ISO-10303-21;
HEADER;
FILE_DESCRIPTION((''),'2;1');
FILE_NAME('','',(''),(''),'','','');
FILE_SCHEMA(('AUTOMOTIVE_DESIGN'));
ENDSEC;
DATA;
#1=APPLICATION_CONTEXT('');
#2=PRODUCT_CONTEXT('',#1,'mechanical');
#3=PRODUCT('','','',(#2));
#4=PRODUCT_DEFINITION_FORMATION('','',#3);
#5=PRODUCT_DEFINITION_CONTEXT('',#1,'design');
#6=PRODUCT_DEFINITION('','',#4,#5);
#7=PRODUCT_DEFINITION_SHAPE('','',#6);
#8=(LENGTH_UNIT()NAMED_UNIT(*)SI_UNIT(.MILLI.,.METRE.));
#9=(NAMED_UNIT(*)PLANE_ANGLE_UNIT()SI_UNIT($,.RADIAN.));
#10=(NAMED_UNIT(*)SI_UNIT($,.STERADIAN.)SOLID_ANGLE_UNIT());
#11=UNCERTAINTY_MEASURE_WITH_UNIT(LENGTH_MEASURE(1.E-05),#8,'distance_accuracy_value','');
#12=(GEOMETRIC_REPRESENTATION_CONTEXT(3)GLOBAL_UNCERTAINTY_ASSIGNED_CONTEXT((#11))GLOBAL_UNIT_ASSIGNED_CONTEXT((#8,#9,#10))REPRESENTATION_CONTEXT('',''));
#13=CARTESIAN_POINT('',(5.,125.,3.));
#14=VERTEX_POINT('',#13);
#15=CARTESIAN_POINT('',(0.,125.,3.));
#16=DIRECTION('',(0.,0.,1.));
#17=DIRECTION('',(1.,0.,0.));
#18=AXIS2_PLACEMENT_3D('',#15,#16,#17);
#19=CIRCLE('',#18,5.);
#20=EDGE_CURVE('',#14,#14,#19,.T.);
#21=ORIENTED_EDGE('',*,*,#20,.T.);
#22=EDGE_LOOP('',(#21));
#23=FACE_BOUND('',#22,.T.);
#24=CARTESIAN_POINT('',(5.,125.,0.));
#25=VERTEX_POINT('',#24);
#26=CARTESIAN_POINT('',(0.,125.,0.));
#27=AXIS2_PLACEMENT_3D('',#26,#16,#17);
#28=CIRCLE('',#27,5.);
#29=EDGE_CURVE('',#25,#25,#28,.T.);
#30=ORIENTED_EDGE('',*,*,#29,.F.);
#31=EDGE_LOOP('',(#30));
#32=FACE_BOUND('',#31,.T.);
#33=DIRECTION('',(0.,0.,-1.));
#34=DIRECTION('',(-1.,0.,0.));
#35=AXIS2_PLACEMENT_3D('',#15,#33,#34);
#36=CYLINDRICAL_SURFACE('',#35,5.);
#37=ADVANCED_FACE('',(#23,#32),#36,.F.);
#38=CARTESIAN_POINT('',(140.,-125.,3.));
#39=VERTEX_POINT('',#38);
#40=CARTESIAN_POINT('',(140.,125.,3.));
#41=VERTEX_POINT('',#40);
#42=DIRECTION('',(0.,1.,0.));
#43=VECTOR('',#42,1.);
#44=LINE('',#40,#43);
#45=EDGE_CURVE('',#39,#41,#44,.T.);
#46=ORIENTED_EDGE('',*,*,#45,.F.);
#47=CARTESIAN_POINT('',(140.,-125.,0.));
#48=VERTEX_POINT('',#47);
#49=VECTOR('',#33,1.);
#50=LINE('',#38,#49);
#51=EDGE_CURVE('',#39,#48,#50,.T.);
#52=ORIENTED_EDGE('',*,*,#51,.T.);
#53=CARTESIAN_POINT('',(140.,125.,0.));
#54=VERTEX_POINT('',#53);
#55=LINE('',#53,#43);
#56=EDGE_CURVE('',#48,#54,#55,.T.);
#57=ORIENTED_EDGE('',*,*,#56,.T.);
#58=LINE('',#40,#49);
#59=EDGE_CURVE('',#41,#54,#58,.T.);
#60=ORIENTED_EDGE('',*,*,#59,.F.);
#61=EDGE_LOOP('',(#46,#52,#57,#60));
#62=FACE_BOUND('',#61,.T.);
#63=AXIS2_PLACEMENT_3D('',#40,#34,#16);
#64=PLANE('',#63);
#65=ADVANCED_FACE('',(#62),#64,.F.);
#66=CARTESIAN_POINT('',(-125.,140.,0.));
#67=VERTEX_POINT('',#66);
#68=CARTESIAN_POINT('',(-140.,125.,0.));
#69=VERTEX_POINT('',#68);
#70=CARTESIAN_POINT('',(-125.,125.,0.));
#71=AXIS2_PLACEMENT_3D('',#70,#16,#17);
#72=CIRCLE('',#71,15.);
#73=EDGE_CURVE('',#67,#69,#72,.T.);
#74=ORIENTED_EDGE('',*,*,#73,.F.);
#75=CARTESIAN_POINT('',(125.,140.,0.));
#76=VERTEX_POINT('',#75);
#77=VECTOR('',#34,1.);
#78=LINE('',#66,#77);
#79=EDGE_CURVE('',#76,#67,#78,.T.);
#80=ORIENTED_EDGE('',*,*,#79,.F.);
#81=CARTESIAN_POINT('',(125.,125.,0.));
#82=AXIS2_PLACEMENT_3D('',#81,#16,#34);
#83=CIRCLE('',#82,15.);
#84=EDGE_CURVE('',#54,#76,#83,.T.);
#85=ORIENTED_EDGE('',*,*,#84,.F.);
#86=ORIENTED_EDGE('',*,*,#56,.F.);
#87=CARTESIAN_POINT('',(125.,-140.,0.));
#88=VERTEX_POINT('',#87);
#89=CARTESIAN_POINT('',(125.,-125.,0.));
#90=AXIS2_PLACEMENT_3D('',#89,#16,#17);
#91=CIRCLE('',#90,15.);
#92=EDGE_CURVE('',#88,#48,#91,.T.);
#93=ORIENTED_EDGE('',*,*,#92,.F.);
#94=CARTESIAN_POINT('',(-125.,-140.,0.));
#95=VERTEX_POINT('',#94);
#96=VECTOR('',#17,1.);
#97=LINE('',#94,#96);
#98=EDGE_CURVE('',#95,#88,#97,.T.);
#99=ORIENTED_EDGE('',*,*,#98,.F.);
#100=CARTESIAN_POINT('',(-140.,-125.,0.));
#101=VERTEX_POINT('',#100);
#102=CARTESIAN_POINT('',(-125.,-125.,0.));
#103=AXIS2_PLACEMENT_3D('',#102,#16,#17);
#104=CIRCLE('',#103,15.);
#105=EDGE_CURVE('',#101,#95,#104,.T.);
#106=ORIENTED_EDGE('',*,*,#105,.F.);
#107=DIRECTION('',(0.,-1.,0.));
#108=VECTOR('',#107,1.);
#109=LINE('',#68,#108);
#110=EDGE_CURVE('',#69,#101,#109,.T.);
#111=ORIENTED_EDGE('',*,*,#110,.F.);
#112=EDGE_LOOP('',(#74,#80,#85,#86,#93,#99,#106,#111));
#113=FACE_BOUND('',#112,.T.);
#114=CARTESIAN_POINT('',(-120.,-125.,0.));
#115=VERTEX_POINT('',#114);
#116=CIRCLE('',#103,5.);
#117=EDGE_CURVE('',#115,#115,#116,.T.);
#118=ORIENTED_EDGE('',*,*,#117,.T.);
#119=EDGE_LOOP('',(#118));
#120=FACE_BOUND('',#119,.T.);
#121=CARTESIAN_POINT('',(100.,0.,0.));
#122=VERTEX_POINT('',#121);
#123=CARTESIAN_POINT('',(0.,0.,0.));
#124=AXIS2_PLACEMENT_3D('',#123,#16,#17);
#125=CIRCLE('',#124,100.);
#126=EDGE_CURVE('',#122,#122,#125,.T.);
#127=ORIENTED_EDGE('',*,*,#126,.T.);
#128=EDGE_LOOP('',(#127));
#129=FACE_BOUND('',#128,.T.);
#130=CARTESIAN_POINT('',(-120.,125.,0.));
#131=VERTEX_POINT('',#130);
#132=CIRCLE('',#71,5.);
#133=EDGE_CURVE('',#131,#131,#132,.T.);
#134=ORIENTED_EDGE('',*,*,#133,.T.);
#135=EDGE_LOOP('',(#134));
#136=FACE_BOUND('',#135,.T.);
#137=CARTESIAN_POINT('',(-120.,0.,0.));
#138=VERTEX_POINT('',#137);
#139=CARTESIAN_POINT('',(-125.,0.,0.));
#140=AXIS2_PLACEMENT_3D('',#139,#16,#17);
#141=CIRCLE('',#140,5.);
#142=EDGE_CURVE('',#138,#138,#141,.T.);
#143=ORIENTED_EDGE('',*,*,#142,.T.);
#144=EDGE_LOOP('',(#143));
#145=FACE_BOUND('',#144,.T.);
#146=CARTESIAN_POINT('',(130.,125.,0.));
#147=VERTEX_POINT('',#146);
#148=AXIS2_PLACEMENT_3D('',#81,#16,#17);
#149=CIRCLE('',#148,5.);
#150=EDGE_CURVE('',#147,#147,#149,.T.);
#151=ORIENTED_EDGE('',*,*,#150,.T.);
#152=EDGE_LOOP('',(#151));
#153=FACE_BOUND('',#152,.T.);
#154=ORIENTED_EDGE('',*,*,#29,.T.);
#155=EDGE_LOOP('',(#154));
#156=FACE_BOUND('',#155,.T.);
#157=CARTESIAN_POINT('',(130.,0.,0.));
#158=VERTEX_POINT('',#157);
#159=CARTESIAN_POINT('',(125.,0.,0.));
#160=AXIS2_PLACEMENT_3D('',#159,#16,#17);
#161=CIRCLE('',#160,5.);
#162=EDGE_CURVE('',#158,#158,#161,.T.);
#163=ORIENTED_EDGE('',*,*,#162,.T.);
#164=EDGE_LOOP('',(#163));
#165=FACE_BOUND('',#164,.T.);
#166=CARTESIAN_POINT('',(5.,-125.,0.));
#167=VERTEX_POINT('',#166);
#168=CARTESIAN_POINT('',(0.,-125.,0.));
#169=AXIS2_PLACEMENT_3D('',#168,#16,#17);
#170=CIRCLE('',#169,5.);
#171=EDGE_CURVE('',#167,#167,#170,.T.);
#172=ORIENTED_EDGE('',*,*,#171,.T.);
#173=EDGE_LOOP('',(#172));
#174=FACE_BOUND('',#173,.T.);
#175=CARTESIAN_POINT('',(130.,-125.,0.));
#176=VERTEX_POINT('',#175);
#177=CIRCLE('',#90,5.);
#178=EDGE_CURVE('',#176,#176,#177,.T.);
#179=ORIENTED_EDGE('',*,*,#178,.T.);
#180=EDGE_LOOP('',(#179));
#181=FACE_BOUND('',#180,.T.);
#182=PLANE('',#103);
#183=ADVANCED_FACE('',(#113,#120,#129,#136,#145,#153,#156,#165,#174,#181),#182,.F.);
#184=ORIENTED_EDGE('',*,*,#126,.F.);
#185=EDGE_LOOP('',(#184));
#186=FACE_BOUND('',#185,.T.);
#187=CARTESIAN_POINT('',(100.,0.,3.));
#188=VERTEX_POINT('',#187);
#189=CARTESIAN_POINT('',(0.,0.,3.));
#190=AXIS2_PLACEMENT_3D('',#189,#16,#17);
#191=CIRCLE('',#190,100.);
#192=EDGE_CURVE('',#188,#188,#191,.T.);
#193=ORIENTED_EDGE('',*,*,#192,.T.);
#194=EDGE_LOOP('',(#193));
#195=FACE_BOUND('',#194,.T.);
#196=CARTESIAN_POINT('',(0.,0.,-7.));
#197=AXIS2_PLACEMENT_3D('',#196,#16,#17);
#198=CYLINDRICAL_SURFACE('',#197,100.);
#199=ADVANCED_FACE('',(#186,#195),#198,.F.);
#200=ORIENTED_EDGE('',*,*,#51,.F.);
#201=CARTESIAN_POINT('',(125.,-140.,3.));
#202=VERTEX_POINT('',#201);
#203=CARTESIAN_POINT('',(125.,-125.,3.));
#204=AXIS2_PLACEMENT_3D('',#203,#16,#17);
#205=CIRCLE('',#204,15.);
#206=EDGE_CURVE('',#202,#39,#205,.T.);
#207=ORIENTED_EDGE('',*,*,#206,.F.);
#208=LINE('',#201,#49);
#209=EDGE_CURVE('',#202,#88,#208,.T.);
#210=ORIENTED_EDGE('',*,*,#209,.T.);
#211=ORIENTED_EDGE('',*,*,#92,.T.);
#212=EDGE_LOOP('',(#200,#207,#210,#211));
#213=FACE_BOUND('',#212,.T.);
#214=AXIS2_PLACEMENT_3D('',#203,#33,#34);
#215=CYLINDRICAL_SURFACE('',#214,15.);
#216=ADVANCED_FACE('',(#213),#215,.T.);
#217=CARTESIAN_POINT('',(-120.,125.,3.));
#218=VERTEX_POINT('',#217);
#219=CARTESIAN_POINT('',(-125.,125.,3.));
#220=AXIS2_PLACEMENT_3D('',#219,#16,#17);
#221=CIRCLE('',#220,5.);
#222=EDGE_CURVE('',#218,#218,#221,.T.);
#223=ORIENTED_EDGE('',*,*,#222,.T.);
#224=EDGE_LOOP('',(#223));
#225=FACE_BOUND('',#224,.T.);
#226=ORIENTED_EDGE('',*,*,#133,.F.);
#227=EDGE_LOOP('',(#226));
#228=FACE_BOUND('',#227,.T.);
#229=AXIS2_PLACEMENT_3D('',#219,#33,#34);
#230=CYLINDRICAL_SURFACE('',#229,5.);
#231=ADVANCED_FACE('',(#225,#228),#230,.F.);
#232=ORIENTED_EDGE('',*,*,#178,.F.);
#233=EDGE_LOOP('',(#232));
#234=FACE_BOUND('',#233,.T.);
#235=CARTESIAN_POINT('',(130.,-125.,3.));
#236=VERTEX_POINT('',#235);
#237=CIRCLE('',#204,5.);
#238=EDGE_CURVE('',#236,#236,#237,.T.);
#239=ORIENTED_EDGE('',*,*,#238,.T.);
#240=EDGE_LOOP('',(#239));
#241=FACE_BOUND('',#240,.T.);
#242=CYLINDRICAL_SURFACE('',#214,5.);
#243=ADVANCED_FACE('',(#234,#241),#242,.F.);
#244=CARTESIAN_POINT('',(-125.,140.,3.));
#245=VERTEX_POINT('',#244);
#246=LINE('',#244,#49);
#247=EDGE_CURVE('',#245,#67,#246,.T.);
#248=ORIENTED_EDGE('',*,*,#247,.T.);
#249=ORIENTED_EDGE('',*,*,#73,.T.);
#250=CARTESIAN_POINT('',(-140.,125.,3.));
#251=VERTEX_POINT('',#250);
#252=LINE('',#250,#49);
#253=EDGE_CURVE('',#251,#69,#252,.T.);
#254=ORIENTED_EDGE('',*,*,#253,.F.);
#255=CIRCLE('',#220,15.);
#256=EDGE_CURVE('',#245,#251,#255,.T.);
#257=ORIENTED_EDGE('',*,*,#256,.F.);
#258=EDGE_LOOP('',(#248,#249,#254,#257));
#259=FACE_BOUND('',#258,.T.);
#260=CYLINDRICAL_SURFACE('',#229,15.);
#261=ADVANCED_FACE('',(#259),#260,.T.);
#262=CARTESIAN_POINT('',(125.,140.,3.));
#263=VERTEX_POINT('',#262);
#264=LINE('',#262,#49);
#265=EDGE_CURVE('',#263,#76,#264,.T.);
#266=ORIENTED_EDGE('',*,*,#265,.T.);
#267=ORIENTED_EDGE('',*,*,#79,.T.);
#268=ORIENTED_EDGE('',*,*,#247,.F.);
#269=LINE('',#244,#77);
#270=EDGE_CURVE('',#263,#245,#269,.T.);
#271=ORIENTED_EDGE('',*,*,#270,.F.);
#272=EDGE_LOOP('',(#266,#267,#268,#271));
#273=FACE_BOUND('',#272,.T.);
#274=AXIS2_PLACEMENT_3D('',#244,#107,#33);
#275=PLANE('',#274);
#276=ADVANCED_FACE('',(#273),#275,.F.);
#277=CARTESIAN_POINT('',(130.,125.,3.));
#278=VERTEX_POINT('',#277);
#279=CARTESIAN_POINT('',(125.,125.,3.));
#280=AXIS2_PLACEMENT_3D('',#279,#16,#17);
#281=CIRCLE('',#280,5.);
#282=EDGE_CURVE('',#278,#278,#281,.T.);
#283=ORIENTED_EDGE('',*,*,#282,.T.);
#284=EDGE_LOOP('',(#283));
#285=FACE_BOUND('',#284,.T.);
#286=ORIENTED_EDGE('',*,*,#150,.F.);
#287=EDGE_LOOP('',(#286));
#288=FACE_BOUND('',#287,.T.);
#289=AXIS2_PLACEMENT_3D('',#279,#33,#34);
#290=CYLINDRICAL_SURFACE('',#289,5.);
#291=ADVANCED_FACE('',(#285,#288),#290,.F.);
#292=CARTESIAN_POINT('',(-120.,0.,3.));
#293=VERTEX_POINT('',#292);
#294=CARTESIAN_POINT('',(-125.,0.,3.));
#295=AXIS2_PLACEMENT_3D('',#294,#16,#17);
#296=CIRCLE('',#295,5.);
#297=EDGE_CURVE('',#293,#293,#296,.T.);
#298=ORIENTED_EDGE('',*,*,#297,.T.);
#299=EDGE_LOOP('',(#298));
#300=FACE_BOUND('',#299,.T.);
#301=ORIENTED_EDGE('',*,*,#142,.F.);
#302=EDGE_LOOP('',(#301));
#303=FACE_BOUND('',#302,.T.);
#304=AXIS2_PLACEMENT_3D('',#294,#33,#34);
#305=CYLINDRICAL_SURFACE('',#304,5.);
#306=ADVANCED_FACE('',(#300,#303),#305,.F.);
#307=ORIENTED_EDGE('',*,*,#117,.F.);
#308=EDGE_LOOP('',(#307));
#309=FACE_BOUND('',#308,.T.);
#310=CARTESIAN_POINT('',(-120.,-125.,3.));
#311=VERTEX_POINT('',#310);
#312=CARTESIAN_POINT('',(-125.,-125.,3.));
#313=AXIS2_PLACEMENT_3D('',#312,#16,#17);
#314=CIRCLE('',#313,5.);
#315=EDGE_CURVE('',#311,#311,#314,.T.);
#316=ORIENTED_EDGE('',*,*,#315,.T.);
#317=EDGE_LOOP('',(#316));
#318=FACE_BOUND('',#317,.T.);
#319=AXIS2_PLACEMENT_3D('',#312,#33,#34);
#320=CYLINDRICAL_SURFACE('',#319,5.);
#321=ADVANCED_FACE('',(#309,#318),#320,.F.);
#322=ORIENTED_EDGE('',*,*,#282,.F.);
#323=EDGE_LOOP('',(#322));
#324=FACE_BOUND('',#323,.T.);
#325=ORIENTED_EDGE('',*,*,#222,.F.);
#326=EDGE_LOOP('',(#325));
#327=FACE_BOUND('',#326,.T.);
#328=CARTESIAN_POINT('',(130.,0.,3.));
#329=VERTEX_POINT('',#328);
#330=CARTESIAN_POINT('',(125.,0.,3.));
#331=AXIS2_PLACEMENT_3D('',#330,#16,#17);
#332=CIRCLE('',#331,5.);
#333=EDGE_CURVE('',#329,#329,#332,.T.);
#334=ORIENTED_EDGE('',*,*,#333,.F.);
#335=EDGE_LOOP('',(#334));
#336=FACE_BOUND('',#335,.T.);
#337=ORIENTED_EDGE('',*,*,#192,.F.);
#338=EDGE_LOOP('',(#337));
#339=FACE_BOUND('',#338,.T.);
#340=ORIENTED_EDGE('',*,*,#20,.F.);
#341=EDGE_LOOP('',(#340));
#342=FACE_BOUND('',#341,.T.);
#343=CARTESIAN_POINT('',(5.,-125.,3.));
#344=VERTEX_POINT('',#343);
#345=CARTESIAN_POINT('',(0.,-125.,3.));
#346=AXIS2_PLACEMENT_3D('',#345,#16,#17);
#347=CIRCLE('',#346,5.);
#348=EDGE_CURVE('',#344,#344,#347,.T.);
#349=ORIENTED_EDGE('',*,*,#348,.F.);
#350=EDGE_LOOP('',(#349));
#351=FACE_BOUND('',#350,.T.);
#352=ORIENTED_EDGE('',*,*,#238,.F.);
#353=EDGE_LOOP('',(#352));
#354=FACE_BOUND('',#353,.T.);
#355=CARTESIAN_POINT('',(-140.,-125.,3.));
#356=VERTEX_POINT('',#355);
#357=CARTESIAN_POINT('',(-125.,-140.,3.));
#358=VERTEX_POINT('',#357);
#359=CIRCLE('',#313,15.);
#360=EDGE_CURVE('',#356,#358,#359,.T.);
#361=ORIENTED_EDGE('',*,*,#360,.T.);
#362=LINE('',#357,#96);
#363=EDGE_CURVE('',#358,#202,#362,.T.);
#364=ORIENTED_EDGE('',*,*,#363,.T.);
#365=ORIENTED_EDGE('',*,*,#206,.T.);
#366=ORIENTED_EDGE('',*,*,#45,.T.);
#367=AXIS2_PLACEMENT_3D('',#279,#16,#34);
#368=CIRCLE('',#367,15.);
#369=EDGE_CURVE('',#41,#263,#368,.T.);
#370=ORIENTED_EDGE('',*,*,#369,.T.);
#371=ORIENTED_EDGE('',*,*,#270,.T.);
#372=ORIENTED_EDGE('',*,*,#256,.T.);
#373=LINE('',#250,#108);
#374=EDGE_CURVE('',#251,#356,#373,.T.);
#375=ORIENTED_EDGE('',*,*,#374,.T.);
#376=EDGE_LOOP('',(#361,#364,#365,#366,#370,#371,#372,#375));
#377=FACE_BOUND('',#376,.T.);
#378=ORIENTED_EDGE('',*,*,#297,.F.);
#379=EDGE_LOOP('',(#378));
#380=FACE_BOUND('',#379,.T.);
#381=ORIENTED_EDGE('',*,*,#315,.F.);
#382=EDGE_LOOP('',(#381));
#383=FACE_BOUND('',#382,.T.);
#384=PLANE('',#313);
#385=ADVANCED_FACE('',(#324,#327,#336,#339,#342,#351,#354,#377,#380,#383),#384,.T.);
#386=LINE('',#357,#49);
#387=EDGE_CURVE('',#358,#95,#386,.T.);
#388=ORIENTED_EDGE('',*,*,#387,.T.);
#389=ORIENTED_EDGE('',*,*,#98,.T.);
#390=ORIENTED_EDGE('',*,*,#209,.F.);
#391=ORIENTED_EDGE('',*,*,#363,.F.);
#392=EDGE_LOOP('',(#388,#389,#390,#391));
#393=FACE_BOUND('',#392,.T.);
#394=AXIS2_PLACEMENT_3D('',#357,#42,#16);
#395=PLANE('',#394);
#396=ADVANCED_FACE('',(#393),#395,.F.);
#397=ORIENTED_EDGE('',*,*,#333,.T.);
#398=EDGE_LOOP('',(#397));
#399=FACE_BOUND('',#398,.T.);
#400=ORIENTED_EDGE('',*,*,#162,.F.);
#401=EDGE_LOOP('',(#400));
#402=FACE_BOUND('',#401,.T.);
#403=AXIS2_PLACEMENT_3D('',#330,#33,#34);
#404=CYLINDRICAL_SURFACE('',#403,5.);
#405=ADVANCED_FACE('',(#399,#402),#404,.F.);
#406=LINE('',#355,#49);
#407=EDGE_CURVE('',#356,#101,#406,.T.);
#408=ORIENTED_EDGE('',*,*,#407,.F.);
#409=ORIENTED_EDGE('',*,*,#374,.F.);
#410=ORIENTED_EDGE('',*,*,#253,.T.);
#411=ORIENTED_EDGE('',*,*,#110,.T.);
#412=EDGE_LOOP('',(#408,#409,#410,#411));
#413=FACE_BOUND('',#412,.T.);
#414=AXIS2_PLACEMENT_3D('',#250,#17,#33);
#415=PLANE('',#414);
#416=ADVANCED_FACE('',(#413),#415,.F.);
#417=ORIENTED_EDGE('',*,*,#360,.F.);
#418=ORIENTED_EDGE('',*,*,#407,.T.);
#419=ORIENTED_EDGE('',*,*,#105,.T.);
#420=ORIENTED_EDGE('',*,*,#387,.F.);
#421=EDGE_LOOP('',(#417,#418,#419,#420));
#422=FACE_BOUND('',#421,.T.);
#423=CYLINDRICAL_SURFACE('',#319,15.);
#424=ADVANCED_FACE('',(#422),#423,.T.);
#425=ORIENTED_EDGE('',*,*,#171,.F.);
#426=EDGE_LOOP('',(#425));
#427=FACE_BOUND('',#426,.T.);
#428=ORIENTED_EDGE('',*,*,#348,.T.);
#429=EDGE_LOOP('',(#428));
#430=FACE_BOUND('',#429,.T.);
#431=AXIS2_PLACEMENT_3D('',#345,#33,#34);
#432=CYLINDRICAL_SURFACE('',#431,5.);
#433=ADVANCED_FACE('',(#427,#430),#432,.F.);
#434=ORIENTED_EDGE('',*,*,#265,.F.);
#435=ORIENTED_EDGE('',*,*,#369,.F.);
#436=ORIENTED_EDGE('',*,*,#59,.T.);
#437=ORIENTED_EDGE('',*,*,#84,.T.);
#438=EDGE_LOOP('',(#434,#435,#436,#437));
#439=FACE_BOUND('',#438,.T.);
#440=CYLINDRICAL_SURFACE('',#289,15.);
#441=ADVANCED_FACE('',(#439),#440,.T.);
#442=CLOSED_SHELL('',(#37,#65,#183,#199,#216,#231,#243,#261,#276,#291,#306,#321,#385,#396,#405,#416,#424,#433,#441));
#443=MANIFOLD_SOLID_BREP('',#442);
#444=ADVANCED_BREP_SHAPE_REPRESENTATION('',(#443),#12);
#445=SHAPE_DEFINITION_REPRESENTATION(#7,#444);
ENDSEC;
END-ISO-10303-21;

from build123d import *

# Parameters (mm, degrees)
SKETCH2_R           = 5
SKETCH2_R_2         = 4
BOSS_EXTRUDE1_DEPTH = 3
SKETCH7_R           = 100
CUT_EXTRUDE2_DEPTH  = 10


with BuildPart() as part:
    # Sketch2 → Boss-Extrude1 (new body)
    with BuildSketch(Plane.XY):
        with BuildLine():
            Line((-125, 140), (125, 140))
            ThreePointArc((125, 140), (135.606601718, 135.606601718), (140, 125))
            Line((140, 125), (140, -125))
            ThreePointArc((140, -125), (135.606601718, -135.606601718), (125, -140))
            Line((125, -140), (-125, -140))
            ThreePointArc((-125, -140), (-135.606601718, -135.606601718), (-140, -125))
            Line((-140, -125), (-140, 125))
            ThreePointArc((-140, 125), (-135.606601718, 135.606601718), (-125, 140))
        make_face()
        with Locations((-125, 125)):
            Circle(SKETCH2_R, mode=Mode.SUBTRACT)
        with Locations((0, 125)):
            Circle(SKETCH2_R, mode=Mode.SUBTRACT)
        with Locations((125, 125)):
            Circle(SKETCH2_R, mode=Mode.SUBTRACT)
        Circle(SKETCH2_R_2, mode=Mode.SUBTRACT)
        with Locations((125, 0)):
            Circle(SKETCH2_R, mode=Mode.SUBTRACT)
        with Locations((-125, 0)):
            Circle(SKETCH2_R, mode=Mode.SUBTRACT)
        with Locations((-125, -125)):
            Circle(SKETCH2_R, mode=Mode.SUBTRACT)
        with Locations((0, -125)):
            Circle(SKETCH2_R, mode=Mode.SUBTRACT)
        with Locations((125, -125)):
            Circle(SKETCH2_R, mode=Mode.SUBTRACT)
    extrude(amount=BOSS_EXTRUDE1_DEPTH)

    # Sketch7 → Cut-Extrude2 (cut)
    with BuildSketch(Plane.XY.offset(3)):
        Circle(SKETCH7_R)
    extrude(amount=-CUT_EXTRUDE2_DEPTH, mode=Mode.SUBTRACT)


solid = part.part
